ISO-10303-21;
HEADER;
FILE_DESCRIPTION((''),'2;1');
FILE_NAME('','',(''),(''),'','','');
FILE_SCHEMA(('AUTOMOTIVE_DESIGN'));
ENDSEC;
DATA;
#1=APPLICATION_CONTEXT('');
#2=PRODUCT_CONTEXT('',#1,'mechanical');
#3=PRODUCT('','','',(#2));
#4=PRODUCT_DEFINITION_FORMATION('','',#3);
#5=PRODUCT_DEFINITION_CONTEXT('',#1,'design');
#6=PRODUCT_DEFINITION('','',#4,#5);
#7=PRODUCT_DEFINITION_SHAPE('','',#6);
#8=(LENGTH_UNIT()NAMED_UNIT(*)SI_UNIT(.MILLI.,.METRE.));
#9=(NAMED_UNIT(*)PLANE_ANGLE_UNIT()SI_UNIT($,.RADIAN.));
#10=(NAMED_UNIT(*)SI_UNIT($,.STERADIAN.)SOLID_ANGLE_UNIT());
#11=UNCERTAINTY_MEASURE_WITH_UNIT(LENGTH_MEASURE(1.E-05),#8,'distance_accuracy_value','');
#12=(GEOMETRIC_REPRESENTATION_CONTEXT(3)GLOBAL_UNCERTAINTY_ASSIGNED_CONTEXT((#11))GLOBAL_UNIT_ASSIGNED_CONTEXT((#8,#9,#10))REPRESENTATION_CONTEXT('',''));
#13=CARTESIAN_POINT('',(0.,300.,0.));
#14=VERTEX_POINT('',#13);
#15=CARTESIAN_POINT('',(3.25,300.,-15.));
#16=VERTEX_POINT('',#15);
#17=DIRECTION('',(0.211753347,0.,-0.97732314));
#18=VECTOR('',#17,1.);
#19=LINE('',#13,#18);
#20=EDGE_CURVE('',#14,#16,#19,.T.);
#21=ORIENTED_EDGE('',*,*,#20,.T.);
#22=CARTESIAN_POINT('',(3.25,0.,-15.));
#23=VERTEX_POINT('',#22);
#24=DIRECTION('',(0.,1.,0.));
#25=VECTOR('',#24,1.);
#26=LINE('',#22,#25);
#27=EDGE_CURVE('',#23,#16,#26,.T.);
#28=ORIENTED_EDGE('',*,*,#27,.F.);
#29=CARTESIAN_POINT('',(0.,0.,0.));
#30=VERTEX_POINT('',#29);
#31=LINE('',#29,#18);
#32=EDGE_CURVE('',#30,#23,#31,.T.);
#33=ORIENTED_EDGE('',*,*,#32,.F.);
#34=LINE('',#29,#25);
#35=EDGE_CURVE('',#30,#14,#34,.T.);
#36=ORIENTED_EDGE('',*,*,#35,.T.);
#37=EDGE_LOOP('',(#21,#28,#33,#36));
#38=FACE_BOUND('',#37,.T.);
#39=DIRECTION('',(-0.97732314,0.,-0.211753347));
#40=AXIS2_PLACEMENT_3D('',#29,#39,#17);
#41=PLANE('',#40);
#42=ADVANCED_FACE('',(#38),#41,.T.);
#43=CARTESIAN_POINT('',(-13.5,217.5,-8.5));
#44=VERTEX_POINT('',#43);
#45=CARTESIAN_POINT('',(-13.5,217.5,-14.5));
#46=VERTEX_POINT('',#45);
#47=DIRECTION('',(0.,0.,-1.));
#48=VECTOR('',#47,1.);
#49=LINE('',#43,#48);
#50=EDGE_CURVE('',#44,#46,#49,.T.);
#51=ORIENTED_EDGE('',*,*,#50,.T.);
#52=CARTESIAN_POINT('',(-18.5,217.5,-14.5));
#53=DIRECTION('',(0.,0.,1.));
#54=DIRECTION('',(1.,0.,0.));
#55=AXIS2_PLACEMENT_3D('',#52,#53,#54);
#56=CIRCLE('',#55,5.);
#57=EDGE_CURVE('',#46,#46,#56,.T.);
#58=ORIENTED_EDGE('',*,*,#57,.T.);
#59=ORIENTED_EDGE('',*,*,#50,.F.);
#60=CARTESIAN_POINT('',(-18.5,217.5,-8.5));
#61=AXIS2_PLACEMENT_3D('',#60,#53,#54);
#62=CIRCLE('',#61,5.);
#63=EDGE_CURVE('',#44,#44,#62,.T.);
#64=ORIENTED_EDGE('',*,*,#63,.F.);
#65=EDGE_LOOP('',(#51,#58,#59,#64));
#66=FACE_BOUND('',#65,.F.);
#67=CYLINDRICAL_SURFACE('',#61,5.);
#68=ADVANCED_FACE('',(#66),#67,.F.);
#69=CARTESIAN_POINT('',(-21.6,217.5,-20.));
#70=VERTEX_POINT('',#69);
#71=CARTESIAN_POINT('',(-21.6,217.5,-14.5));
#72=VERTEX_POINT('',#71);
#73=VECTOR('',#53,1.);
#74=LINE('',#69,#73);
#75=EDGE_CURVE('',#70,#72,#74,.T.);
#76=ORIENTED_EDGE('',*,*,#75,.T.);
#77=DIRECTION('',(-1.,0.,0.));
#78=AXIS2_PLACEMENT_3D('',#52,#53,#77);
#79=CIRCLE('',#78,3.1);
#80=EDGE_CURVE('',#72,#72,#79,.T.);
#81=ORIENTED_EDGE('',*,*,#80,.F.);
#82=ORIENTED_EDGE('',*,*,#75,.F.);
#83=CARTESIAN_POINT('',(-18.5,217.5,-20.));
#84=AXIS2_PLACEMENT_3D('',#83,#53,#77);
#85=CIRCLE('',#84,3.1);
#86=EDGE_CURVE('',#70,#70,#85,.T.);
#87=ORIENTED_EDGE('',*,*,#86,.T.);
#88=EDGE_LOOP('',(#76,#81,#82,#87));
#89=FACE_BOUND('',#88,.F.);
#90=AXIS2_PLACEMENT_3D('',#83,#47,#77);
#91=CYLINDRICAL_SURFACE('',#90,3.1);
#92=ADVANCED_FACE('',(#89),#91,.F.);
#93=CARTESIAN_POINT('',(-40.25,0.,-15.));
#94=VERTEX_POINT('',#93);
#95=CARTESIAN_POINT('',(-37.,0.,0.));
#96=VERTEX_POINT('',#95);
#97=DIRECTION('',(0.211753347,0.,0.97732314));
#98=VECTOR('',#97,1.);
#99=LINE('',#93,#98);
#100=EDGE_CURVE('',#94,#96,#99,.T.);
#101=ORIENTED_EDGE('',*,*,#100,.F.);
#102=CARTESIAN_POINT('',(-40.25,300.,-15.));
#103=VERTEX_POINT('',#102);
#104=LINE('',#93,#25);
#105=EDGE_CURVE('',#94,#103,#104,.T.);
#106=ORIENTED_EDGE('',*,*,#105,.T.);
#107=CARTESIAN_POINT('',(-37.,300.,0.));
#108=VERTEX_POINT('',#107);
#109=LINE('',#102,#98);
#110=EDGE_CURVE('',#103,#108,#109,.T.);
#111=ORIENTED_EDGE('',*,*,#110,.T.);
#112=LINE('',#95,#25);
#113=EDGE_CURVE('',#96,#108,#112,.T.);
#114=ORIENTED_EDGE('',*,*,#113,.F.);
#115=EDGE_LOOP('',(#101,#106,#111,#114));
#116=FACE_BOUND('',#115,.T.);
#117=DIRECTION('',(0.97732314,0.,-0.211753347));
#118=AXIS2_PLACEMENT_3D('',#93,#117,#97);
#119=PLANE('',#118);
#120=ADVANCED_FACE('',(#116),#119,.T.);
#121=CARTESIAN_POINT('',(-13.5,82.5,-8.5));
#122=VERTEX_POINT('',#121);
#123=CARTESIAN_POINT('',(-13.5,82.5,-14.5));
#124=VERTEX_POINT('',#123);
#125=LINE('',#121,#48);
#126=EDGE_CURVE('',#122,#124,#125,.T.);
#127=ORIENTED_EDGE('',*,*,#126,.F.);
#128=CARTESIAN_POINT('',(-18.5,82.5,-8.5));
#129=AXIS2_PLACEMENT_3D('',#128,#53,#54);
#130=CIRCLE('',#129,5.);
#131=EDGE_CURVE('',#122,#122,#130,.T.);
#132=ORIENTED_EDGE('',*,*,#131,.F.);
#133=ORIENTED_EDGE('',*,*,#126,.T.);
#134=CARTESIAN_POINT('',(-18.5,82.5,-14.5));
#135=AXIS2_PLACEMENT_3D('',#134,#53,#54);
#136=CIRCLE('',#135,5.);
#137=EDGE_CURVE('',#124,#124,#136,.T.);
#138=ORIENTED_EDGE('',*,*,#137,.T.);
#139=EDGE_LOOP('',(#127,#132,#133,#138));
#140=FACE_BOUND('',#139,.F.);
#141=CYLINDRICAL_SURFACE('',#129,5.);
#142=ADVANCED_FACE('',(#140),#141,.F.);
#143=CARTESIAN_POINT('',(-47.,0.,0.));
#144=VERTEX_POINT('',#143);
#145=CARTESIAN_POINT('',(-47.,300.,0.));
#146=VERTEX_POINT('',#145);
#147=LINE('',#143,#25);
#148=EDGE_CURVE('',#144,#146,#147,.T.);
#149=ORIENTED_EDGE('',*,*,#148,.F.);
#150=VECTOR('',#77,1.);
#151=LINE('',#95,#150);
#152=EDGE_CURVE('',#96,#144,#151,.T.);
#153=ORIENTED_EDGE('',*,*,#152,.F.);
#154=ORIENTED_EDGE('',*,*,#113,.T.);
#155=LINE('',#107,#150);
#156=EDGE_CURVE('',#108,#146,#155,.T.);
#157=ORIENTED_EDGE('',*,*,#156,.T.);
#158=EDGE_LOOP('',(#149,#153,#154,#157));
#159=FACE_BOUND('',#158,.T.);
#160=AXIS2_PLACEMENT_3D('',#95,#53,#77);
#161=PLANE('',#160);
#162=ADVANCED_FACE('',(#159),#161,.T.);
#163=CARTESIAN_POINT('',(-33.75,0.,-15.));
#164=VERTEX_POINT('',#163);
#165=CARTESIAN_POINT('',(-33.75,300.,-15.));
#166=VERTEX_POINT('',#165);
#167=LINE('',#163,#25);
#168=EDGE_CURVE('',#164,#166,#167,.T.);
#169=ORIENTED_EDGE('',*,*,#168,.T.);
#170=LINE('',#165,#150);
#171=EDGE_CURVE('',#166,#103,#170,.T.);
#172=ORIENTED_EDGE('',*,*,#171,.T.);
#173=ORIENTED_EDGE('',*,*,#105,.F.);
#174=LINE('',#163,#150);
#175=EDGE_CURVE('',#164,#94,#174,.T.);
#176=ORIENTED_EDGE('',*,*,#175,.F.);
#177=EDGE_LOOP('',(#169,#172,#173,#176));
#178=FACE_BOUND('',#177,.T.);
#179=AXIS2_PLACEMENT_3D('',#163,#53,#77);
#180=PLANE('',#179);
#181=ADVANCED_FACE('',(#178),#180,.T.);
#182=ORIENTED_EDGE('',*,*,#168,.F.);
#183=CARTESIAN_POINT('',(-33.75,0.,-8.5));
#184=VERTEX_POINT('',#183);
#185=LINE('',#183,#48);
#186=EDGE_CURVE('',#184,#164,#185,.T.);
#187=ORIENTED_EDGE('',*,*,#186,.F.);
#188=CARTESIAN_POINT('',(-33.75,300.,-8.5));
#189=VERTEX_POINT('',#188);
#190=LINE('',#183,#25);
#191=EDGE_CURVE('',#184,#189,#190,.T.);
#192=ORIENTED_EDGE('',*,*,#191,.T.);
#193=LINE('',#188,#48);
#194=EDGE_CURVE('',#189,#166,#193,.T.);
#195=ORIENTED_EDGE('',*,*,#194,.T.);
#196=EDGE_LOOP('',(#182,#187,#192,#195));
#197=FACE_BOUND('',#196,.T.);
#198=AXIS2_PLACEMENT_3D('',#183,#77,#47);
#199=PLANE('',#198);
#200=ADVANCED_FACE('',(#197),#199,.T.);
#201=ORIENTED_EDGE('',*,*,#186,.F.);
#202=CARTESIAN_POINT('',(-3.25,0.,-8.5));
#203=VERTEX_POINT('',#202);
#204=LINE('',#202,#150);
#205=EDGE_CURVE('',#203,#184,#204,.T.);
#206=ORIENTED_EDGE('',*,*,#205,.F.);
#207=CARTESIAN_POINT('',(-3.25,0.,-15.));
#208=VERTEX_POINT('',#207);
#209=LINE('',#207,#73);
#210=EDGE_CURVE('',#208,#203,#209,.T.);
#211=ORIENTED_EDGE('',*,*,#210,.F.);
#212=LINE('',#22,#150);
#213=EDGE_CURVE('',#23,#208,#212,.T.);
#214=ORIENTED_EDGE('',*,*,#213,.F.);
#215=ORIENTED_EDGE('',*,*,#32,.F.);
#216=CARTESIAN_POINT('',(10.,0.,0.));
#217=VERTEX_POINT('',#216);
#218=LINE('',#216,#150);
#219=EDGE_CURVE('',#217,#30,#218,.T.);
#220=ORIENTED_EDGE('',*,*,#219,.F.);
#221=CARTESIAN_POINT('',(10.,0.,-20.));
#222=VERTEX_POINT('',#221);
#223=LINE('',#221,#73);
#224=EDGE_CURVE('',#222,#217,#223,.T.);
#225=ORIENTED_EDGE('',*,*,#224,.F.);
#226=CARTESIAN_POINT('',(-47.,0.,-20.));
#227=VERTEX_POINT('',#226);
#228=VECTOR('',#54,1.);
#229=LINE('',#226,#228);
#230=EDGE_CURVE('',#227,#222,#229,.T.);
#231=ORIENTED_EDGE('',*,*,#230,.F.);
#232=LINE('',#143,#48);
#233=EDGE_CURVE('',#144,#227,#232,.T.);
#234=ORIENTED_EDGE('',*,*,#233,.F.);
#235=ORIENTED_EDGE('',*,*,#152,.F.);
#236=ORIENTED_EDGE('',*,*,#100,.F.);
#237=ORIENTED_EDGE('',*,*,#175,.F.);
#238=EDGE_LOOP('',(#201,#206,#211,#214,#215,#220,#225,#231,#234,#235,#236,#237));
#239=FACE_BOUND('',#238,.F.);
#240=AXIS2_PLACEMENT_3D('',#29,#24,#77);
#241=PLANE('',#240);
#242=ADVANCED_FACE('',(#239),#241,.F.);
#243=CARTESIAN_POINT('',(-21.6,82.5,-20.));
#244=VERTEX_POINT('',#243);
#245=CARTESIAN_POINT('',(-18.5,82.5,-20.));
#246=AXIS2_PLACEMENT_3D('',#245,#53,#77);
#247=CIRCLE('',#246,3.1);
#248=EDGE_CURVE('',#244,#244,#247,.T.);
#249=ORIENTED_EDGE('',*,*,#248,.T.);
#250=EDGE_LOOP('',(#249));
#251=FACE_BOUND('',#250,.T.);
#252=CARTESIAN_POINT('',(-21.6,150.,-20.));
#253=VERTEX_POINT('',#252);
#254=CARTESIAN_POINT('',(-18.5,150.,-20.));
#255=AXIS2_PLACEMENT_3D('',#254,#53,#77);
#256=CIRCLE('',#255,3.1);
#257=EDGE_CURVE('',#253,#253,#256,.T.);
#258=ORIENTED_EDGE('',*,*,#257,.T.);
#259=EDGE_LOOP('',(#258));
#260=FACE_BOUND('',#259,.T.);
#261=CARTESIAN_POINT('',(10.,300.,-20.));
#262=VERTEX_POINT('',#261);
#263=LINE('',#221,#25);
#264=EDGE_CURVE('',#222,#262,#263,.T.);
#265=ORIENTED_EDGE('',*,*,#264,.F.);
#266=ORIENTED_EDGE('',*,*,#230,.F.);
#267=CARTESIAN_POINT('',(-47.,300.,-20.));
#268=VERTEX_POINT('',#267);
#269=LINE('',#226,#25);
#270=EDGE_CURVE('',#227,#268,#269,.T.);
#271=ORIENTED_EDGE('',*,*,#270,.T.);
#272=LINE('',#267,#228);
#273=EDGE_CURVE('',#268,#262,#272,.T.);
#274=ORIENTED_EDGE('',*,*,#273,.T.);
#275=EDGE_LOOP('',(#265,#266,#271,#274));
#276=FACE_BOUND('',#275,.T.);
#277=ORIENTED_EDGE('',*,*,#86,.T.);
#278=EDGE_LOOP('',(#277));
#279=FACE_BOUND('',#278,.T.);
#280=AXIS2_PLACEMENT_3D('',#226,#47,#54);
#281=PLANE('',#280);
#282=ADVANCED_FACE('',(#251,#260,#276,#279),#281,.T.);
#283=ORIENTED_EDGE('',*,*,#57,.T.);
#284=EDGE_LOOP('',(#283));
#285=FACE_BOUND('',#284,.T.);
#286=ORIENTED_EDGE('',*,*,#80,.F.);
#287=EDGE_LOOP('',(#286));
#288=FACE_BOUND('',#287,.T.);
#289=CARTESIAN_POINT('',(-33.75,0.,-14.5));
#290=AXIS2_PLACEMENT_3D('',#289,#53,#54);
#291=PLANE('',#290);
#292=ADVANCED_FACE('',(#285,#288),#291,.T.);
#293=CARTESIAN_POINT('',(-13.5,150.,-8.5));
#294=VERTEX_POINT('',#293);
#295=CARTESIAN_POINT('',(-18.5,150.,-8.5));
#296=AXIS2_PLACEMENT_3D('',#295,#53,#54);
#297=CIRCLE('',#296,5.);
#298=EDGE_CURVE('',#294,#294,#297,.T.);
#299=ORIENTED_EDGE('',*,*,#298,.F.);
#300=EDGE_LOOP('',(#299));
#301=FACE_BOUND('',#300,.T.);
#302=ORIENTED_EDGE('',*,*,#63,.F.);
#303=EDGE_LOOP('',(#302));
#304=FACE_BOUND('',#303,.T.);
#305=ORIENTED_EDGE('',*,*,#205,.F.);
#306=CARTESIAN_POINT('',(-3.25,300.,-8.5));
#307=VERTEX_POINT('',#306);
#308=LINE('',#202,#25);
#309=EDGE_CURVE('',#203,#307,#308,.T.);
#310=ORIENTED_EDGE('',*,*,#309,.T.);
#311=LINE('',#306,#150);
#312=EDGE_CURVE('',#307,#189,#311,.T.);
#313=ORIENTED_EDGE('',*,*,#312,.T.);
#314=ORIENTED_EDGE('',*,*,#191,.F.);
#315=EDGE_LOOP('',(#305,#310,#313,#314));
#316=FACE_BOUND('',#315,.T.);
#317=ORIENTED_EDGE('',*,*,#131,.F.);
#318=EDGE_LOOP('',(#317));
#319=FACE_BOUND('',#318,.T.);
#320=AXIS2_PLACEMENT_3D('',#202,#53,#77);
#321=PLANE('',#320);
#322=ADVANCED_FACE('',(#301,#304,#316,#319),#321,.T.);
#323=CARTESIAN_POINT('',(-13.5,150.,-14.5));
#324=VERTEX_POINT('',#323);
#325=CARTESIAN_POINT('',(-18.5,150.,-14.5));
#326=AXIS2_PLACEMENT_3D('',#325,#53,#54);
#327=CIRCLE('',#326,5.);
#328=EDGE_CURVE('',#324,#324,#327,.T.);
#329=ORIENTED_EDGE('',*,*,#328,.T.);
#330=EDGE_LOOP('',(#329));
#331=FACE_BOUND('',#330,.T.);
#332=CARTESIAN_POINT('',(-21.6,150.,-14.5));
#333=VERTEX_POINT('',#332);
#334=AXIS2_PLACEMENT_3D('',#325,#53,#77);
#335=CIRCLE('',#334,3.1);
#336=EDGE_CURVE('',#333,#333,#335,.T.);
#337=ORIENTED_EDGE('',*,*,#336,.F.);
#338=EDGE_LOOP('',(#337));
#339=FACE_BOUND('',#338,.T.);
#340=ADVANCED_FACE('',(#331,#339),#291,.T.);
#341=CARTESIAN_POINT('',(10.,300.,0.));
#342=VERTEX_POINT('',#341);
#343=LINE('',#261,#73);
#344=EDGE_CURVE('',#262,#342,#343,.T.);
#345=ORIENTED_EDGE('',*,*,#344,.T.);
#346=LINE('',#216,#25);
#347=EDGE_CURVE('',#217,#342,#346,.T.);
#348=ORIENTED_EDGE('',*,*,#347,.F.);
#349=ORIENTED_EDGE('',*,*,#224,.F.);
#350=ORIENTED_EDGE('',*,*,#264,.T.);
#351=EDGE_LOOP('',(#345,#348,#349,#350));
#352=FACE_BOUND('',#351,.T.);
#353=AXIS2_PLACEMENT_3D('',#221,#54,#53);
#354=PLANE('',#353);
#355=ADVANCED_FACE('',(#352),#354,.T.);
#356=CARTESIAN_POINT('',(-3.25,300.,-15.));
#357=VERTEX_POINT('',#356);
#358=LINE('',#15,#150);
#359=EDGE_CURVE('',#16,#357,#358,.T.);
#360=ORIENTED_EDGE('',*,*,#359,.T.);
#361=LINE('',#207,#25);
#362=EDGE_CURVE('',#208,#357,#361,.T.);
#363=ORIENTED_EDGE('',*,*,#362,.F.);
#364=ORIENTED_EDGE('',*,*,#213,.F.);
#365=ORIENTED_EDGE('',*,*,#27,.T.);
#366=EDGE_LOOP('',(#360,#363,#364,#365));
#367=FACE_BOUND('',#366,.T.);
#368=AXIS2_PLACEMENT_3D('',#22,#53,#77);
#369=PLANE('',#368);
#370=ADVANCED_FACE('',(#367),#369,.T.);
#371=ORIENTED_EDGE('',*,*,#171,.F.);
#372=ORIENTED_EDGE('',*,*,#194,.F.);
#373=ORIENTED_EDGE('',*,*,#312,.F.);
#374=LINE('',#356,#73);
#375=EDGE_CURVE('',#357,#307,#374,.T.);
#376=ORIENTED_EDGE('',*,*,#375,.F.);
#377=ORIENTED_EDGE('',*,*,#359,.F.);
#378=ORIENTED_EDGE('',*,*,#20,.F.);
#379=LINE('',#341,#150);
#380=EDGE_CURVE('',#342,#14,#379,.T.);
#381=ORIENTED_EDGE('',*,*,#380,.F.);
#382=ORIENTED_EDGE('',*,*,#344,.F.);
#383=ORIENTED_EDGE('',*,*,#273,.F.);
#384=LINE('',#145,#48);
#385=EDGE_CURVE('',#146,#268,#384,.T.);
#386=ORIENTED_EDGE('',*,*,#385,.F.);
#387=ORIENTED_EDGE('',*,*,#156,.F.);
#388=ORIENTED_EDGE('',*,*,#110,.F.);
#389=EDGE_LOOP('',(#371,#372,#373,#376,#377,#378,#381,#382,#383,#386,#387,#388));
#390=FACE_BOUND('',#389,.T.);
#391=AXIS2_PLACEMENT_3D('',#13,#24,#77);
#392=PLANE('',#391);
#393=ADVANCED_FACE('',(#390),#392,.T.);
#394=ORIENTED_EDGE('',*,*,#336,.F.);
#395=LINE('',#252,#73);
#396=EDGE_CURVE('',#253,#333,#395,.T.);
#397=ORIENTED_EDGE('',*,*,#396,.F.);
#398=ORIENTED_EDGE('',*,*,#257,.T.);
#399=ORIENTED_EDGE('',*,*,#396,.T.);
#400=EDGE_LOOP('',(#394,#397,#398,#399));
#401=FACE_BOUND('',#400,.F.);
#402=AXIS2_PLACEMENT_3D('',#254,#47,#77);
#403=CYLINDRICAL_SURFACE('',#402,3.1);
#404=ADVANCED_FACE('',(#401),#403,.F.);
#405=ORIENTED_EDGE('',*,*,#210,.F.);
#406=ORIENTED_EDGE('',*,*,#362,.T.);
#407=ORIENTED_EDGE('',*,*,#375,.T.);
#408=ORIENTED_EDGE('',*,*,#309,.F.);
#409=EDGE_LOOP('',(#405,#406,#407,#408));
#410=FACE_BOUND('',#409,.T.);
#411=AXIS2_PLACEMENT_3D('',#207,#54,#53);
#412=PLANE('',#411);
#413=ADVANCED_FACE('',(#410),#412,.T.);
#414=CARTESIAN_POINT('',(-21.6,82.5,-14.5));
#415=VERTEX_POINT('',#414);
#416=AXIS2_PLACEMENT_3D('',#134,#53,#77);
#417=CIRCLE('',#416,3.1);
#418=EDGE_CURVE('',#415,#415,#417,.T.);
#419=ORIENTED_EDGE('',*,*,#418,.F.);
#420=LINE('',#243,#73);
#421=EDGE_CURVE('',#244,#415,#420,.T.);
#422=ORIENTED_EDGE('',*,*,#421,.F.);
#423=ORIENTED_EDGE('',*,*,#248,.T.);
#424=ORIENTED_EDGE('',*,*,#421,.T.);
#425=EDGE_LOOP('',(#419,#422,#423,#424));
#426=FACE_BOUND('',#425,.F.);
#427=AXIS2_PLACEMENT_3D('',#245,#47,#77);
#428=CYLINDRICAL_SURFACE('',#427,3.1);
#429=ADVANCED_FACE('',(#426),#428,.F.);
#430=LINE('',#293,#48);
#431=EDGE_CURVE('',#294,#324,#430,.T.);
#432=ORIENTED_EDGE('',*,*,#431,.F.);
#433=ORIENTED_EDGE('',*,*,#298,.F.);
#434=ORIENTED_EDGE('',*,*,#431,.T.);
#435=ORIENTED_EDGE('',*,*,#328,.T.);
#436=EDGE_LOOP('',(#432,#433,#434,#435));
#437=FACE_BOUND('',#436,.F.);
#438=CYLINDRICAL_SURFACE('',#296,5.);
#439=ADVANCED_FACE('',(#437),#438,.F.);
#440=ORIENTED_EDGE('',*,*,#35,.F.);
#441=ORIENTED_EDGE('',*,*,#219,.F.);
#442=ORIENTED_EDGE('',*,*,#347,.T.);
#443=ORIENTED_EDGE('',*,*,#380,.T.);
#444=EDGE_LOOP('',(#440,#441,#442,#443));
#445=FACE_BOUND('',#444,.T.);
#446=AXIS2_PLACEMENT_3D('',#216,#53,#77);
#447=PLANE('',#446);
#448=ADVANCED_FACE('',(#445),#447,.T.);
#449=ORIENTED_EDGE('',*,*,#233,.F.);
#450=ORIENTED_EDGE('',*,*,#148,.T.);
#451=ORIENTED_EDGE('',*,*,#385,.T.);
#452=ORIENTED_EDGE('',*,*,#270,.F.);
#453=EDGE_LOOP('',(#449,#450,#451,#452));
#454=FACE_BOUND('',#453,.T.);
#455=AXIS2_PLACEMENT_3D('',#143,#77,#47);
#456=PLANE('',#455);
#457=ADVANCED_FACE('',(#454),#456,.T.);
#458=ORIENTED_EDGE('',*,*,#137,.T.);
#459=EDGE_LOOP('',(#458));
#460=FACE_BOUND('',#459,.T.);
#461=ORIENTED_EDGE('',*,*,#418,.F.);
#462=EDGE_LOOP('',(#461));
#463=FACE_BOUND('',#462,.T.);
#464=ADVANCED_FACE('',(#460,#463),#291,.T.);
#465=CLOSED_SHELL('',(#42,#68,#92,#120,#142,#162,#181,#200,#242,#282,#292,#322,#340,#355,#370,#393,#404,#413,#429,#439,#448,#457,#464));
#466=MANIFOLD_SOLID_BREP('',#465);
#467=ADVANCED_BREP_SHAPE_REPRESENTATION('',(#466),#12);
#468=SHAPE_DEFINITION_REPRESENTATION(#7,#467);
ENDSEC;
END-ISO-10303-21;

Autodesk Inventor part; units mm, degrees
ref_plane "YZ Plane" through (0, 0, 0) normal (1, 0, 0) x (0, 1, 0)
ref_plane "XZ Plane" through (0, 0, 0) normal (0, 1, 0) x (-1, 0, 0)
ref_plane "XY Plane" through (0, 0, 0) normal (0, 0, 1) x (1, 0, 0)
sketch "Sketch1" plane through (0, 0, 0) normal (0, 1, 0) x (-1, 0, 0)
  line L0 (37, 0) -> (0, 0)
  line L1 (0, 0) -> (-3.25, -15)
  line L2 (-3.25, -15) -> (3.25, -15)
  line L3 (3.25, -15) -> (3.25, -8.5)
  line L4 (3.25, -8.5) -> (33.75, -8.5)
  line L5 (33.75, -8.5) -> (33.75, -15)
  line L6 (33.75, -15) -> (40.25, -15)
  line L7 (40.25, -15) -> (37, 0)
  line L8 (37, 0) -> (47, 0)
  line L9 (47, 0) -> (47, -20)
  line L10 (47, -20) -> (-10, -20)
  line L11 (-10, -20) -> (-10, 0)
  line L12 (-10, 0) -> (0, 0)
  dimension "d1" = 20
  dimension "d5" = 10
  dimension "d6" = 10
extrude "Extrusion1" add sketch "Sketch1" along normal blind 300 contours L8 L9 L10 L11 L12 L1 L2 L3 L4 L5 L6 L7
sketch "Sketch2" plane through (10, 0, -20) normal (0, 0, -1) x (-1, 0, 0)
  line L0 (0, 0) -> (57, 0) projected
  line L1 (57, 0) -> (57, 300) projected
  line L2 (0, 300) -> (57, 300) projected
  line L3 (0, 0) -> (0, 300) projected
  line L4 (43.75, 0) -> (13.25, 0) projected
  line L5 (28.5, 0) -> (28.5, 300)
  line L6 (43.75, 300) -> (13.25, 300) projected
  line L7 (0, 52.5) -> (57, 52.5)
  line L8 (57, 52.5) -> (57, 247.5)
  line L9 (57, 247.5) -> (0, 247.5)
  line L10 (0, 247.5) -> (0, 52.5)
  line L11 (0, 52.5) -> (57, 247.5) construction
  line L12 (57, 52.5) -> (0, 247.5) construction
  circle A0 centre (28.5, 150) radius 3.1
  line L13 (28.5, 52.5) -> (28.5, 82.5)
  circle A1 centre (28.5, 82.5) radius 3.1
  line L14 (28.5, 247.5) -> (28.5, 217.5)
  circle A2 centre (28.5, 217.5) radius 3.1
  point P0 (10, 0)
  dimension "d7" = 195
  dimension "d8" = 6.2
  dimension "d9" = 30
  dimension "d10" = 6.2
  dimension "d11" = 30
  dimension "d12" = 6.2
extrude "Extrusion2" cut sketch "Sketch2" against normal up to surface (11.5 mm away) contours A1 L5 | L5 A1 | A2 L5 | L5 A2 | A0 L5 | L5 A0
sketch "Sketch4" plane through (-33.75, 0, -8.5) normal (0, 0, 1) x (1, 0, 0)
  circle A0 centre (15.25, 217.5) radius 3.1 projected
  circle A1 centre (15.25, 82.5) radius 3.1 projected
  circle A2 centre (15.25, 150) radius 3.1 projected
  line L0 (0, 0) -> (30.5, 0) projected
  line L1 (30.5, 0) -> (30.5, 300) projected
  line L2 (0, 300) -> (30.5, 300) projected
  line L3 (0, 0) -> (0, 300) projected
  circle A3 centre (15.25, 82.5) radius 3.1 projected
  circle A4 centre (15.25, 82.5) radius 5
  circle A5 centre (15.25, 150) radius 5
  circle A6 centre (15.25, 217.5) radius 5
  point P0 (33.75, 0)
  dimension "d15" = 10
  dimension "d16" = 10
  dimension "d17" = 10
extrude "Extrusion3" cut sketch "Sketch4" against normal blind 6 contours A4 | A5 | A6
properties part number "uchwyt_szyny"
